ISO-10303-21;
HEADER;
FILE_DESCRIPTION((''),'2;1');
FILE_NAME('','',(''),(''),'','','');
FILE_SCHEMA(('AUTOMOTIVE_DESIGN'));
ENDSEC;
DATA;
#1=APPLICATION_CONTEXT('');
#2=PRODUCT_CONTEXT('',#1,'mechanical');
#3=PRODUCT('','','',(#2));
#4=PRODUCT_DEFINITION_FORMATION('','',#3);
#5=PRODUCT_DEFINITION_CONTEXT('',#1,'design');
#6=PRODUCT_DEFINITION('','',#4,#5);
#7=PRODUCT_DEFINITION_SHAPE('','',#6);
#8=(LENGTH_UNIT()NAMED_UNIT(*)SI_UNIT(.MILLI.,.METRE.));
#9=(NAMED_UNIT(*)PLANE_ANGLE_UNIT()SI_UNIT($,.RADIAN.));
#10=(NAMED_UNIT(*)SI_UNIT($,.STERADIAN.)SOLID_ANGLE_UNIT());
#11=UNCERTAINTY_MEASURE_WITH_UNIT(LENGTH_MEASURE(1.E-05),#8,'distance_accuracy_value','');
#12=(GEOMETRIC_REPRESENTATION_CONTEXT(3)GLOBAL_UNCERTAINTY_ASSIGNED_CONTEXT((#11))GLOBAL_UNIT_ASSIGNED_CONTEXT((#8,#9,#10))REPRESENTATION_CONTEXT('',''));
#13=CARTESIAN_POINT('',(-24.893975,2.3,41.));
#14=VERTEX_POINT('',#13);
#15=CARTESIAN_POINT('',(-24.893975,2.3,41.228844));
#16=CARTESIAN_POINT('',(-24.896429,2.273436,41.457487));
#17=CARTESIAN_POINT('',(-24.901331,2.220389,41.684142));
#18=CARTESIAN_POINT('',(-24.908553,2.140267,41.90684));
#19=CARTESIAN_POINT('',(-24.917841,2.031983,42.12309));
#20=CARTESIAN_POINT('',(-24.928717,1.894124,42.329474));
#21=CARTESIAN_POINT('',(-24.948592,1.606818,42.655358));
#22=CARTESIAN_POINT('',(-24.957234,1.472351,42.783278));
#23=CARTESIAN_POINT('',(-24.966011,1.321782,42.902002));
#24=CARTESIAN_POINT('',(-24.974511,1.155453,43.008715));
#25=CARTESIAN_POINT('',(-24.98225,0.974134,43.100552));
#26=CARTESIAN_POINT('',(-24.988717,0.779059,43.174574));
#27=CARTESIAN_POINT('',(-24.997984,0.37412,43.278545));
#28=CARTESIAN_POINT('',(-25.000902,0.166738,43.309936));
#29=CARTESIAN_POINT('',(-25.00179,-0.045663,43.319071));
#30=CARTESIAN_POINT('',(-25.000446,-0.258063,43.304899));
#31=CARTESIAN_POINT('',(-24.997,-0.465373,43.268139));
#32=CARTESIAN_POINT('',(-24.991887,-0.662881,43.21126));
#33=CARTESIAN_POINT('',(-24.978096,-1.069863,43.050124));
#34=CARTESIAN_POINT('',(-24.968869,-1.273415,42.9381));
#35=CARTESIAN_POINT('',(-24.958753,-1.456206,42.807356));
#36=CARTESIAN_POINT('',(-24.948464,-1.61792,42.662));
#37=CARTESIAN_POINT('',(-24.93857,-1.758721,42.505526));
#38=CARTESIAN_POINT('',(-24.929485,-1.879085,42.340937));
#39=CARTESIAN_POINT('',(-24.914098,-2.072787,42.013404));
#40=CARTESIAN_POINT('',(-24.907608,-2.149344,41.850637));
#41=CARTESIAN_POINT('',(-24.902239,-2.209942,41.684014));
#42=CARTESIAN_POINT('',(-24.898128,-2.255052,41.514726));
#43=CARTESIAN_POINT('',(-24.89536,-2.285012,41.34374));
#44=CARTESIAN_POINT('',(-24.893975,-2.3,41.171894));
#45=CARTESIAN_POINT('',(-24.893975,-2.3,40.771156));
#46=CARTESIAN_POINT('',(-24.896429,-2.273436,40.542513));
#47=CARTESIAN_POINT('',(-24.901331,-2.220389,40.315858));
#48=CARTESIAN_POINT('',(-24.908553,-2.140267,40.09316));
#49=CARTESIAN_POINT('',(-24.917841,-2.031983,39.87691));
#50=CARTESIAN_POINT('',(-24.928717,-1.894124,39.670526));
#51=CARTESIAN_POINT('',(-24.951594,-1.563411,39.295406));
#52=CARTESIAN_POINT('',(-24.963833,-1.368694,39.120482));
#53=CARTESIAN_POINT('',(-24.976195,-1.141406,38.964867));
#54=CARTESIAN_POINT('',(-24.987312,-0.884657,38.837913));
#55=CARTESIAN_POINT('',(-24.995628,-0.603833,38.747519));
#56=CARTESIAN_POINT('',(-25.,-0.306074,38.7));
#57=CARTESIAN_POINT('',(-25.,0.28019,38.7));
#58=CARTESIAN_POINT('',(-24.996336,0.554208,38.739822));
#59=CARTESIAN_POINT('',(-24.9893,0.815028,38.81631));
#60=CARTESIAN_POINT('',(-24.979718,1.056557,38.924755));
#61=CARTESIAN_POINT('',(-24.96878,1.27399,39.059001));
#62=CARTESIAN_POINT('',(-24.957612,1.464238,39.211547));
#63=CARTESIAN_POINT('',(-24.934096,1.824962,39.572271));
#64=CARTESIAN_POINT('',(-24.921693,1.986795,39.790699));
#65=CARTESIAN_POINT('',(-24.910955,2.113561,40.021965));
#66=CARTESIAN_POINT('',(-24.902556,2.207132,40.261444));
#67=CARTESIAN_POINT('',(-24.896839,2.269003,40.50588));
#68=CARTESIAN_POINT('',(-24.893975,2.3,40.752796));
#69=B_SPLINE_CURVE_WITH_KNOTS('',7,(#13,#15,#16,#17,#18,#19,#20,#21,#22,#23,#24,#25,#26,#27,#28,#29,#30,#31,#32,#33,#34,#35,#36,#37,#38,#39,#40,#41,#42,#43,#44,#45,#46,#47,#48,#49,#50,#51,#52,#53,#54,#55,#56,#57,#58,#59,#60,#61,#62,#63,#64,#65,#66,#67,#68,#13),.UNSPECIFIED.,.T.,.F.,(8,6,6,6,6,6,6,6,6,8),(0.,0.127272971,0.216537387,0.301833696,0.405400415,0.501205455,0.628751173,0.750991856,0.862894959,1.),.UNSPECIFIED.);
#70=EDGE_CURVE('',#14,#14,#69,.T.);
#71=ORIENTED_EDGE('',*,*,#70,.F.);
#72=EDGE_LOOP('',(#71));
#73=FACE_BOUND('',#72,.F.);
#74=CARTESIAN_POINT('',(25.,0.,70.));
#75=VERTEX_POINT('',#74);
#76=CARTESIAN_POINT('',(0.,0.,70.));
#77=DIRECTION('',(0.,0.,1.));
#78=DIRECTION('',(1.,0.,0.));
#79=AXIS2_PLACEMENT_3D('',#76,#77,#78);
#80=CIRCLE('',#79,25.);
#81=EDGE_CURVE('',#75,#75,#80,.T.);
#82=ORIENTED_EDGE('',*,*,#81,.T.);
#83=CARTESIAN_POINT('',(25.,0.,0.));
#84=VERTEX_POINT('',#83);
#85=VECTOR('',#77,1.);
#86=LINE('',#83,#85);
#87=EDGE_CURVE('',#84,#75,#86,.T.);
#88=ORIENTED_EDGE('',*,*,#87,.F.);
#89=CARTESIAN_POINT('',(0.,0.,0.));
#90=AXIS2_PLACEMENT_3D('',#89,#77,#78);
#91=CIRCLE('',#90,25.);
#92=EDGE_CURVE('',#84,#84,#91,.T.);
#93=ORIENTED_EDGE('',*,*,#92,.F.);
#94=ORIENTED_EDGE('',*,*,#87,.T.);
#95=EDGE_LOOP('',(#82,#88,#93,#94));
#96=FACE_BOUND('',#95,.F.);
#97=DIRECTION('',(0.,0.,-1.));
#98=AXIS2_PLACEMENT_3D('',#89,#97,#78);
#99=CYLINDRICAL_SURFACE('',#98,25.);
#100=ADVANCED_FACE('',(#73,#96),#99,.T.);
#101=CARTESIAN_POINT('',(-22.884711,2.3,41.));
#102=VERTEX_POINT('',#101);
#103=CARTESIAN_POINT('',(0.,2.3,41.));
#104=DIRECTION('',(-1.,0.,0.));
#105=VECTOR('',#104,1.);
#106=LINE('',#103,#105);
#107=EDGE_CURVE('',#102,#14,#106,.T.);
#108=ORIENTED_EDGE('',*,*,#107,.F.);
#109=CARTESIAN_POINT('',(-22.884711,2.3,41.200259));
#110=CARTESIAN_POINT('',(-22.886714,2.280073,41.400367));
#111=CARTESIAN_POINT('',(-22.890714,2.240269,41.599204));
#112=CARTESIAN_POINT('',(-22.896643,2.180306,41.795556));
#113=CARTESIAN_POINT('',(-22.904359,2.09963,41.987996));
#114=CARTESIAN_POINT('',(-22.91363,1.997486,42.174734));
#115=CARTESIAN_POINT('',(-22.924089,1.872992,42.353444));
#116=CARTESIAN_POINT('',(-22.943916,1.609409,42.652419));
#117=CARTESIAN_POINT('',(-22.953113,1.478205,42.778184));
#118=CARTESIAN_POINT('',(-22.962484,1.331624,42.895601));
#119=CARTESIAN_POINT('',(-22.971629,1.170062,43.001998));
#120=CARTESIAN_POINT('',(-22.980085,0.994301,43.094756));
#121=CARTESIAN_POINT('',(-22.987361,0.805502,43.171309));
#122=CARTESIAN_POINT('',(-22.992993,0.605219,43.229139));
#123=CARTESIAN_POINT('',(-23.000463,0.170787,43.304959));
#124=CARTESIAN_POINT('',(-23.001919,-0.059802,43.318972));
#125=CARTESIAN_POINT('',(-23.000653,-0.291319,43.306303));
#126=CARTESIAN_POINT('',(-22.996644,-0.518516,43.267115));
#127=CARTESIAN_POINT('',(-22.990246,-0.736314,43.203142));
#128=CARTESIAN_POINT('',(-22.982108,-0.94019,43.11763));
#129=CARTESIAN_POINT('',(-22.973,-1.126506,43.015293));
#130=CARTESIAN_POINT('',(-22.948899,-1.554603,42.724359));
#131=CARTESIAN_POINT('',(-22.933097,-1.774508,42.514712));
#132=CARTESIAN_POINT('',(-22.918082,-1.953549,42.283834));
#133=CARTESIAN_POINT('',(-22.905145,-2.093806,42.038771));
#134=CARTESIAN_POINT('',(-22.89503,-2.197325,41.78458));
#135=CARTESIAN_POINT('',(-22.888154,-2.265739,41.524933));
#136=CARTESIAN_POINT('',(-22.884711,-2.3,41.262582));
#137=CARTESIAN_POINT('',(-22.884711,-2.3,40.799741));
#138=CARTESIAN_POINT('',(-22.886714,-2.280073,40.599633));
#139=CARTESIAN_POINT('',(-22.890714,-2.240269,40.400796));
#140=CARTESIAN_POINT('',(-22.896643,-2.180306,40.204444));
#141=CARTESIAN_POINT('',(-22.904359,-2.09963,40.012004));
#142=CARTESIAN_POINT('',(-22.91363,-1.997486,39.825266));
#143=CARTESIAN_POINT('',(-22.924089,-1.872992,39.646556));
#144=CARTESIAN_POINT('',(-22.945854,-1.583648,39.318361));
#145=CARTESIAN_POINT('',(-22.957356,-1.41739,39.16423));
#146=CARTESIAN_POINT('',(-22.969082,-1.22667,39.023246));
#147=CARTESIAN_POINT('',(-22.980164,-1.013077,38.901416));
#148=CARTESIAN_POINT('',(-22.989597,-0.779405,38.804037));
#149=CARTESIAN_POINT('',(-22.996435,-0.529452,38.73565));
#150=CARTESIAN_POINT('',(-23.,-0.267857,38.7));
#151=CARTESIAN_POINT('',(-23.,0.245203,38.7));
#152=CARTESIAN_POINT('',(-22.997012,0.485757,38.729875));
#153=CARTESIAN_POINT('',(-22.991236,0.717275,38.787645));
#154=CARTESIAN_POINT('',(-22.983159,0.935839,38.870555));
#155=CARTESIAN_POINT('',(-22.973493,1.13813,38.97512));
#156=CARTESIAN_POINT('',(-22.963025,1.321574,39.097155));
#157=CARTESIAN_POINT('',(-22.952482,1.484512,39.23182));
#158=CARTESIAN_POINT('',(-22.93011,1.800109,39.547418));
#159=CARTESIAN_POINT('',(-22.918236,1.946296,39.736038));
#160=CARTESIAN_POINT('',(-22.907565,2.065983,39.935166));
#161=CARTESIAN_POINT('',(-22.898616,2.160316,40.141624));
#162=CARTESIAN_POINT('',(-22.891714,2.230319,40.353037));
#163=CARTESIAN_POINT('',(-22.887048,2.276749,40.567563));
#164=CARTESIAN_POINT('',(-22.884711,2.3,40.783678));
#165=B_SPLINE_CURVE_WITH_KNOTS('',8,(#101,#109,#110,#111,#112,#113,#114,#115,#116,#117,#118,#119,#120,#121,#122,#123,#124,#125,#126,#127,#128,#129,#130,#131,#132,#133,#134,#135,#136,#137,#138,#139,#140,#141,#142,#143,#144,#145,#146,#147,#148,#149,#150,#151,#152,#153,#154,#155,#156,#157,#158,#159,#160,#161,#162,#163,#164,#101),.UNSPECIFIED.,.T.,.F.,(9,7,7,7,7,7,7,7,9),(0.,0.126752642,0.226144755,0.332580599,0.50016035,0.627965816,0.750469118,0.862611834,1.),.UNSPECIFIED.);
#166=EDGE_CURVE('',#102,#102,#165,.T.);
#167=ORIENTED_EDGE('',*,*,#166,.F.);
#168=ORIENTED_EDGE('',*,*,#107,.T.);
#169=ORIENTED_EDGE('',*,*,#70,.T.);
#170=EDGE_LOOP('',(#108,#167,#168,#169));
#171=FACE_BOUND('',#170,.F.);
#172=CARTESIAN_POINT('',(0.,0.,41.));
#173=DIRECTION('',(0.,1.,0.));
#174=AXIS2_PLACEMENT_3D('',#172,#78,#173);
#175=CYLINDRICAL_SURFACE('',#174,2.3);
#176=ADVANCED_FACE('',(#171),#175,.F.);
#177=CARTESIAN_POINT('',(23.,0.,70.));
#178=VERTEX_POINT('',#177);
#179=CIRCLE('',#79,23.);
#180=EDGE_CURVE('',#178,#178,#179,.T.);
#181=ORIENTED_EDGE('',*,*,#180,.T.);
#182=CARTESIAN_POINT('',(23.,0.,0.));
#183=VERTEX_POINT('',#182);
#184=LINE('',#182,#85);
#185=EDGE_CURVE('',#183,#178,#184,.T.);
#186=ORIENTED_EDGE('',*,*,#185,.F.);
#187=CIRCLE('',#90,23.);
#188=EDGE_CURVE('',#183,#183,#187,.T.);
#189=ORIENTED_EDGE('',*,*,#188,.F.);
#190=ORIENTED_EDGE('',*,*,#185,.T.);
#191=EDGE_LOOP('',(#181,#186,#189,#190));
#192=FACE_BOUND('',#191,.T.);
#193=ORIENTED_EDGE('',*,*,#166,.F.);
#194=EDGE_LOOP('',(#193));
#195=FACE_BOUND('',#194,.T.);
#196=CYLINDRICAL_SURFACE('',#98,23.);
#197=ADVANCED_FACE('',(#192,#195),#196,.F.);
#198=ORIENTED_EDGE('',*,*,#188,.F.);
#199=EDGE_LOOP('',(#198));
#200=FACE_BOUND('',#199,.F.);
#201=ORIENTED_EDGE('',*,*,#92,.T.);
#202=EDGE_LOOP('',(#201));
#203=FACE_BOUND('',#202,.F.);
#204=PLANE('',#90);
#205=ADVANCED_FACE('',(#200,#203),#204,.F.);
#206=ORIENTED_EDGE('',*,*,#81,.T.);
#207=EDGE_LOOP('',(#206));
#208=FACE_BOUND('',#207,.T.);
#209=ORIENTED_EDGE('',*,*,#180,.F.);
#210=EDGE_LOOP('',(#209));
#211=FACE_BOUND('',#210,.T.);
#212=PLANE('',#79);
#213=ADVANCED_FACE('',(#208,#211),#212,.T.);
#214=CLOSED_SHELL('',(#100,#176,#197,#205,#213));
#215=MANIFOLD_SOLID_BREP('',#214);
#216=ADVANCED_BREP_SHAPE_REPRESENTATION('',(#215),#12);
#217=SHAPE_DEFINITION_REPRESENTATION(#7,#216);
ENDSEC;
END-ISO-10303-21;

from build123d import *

# Parameters (mm, degrees)
SKETCH001_R   = 25
SKETCH001_R_2 = 23
PAD_DEPTH     = 70
SKETCH_R      = 2.3
POCKET_DEPTH  = 25.001


with BuildPart() as part:
    # Sketch001 → Pad (new body)
    with BuildSketch(Plane.XY):
        Circle(SKETCH001_R)
        Circle(SKETCH001_R_2, mode=Mode.SUBTRACT)
    extrude(amount=PAD_DEPTH)

    # Sketch → Pocket (cut, through all)
    with BuildSketch(Plane.YZ):
        with Locations((0, 41)):
            Circle(SKETCH_R)
    extrude(amount=-POCKET_DEPTH, mode=Mode.SUBTRACT)


solid = part.part
